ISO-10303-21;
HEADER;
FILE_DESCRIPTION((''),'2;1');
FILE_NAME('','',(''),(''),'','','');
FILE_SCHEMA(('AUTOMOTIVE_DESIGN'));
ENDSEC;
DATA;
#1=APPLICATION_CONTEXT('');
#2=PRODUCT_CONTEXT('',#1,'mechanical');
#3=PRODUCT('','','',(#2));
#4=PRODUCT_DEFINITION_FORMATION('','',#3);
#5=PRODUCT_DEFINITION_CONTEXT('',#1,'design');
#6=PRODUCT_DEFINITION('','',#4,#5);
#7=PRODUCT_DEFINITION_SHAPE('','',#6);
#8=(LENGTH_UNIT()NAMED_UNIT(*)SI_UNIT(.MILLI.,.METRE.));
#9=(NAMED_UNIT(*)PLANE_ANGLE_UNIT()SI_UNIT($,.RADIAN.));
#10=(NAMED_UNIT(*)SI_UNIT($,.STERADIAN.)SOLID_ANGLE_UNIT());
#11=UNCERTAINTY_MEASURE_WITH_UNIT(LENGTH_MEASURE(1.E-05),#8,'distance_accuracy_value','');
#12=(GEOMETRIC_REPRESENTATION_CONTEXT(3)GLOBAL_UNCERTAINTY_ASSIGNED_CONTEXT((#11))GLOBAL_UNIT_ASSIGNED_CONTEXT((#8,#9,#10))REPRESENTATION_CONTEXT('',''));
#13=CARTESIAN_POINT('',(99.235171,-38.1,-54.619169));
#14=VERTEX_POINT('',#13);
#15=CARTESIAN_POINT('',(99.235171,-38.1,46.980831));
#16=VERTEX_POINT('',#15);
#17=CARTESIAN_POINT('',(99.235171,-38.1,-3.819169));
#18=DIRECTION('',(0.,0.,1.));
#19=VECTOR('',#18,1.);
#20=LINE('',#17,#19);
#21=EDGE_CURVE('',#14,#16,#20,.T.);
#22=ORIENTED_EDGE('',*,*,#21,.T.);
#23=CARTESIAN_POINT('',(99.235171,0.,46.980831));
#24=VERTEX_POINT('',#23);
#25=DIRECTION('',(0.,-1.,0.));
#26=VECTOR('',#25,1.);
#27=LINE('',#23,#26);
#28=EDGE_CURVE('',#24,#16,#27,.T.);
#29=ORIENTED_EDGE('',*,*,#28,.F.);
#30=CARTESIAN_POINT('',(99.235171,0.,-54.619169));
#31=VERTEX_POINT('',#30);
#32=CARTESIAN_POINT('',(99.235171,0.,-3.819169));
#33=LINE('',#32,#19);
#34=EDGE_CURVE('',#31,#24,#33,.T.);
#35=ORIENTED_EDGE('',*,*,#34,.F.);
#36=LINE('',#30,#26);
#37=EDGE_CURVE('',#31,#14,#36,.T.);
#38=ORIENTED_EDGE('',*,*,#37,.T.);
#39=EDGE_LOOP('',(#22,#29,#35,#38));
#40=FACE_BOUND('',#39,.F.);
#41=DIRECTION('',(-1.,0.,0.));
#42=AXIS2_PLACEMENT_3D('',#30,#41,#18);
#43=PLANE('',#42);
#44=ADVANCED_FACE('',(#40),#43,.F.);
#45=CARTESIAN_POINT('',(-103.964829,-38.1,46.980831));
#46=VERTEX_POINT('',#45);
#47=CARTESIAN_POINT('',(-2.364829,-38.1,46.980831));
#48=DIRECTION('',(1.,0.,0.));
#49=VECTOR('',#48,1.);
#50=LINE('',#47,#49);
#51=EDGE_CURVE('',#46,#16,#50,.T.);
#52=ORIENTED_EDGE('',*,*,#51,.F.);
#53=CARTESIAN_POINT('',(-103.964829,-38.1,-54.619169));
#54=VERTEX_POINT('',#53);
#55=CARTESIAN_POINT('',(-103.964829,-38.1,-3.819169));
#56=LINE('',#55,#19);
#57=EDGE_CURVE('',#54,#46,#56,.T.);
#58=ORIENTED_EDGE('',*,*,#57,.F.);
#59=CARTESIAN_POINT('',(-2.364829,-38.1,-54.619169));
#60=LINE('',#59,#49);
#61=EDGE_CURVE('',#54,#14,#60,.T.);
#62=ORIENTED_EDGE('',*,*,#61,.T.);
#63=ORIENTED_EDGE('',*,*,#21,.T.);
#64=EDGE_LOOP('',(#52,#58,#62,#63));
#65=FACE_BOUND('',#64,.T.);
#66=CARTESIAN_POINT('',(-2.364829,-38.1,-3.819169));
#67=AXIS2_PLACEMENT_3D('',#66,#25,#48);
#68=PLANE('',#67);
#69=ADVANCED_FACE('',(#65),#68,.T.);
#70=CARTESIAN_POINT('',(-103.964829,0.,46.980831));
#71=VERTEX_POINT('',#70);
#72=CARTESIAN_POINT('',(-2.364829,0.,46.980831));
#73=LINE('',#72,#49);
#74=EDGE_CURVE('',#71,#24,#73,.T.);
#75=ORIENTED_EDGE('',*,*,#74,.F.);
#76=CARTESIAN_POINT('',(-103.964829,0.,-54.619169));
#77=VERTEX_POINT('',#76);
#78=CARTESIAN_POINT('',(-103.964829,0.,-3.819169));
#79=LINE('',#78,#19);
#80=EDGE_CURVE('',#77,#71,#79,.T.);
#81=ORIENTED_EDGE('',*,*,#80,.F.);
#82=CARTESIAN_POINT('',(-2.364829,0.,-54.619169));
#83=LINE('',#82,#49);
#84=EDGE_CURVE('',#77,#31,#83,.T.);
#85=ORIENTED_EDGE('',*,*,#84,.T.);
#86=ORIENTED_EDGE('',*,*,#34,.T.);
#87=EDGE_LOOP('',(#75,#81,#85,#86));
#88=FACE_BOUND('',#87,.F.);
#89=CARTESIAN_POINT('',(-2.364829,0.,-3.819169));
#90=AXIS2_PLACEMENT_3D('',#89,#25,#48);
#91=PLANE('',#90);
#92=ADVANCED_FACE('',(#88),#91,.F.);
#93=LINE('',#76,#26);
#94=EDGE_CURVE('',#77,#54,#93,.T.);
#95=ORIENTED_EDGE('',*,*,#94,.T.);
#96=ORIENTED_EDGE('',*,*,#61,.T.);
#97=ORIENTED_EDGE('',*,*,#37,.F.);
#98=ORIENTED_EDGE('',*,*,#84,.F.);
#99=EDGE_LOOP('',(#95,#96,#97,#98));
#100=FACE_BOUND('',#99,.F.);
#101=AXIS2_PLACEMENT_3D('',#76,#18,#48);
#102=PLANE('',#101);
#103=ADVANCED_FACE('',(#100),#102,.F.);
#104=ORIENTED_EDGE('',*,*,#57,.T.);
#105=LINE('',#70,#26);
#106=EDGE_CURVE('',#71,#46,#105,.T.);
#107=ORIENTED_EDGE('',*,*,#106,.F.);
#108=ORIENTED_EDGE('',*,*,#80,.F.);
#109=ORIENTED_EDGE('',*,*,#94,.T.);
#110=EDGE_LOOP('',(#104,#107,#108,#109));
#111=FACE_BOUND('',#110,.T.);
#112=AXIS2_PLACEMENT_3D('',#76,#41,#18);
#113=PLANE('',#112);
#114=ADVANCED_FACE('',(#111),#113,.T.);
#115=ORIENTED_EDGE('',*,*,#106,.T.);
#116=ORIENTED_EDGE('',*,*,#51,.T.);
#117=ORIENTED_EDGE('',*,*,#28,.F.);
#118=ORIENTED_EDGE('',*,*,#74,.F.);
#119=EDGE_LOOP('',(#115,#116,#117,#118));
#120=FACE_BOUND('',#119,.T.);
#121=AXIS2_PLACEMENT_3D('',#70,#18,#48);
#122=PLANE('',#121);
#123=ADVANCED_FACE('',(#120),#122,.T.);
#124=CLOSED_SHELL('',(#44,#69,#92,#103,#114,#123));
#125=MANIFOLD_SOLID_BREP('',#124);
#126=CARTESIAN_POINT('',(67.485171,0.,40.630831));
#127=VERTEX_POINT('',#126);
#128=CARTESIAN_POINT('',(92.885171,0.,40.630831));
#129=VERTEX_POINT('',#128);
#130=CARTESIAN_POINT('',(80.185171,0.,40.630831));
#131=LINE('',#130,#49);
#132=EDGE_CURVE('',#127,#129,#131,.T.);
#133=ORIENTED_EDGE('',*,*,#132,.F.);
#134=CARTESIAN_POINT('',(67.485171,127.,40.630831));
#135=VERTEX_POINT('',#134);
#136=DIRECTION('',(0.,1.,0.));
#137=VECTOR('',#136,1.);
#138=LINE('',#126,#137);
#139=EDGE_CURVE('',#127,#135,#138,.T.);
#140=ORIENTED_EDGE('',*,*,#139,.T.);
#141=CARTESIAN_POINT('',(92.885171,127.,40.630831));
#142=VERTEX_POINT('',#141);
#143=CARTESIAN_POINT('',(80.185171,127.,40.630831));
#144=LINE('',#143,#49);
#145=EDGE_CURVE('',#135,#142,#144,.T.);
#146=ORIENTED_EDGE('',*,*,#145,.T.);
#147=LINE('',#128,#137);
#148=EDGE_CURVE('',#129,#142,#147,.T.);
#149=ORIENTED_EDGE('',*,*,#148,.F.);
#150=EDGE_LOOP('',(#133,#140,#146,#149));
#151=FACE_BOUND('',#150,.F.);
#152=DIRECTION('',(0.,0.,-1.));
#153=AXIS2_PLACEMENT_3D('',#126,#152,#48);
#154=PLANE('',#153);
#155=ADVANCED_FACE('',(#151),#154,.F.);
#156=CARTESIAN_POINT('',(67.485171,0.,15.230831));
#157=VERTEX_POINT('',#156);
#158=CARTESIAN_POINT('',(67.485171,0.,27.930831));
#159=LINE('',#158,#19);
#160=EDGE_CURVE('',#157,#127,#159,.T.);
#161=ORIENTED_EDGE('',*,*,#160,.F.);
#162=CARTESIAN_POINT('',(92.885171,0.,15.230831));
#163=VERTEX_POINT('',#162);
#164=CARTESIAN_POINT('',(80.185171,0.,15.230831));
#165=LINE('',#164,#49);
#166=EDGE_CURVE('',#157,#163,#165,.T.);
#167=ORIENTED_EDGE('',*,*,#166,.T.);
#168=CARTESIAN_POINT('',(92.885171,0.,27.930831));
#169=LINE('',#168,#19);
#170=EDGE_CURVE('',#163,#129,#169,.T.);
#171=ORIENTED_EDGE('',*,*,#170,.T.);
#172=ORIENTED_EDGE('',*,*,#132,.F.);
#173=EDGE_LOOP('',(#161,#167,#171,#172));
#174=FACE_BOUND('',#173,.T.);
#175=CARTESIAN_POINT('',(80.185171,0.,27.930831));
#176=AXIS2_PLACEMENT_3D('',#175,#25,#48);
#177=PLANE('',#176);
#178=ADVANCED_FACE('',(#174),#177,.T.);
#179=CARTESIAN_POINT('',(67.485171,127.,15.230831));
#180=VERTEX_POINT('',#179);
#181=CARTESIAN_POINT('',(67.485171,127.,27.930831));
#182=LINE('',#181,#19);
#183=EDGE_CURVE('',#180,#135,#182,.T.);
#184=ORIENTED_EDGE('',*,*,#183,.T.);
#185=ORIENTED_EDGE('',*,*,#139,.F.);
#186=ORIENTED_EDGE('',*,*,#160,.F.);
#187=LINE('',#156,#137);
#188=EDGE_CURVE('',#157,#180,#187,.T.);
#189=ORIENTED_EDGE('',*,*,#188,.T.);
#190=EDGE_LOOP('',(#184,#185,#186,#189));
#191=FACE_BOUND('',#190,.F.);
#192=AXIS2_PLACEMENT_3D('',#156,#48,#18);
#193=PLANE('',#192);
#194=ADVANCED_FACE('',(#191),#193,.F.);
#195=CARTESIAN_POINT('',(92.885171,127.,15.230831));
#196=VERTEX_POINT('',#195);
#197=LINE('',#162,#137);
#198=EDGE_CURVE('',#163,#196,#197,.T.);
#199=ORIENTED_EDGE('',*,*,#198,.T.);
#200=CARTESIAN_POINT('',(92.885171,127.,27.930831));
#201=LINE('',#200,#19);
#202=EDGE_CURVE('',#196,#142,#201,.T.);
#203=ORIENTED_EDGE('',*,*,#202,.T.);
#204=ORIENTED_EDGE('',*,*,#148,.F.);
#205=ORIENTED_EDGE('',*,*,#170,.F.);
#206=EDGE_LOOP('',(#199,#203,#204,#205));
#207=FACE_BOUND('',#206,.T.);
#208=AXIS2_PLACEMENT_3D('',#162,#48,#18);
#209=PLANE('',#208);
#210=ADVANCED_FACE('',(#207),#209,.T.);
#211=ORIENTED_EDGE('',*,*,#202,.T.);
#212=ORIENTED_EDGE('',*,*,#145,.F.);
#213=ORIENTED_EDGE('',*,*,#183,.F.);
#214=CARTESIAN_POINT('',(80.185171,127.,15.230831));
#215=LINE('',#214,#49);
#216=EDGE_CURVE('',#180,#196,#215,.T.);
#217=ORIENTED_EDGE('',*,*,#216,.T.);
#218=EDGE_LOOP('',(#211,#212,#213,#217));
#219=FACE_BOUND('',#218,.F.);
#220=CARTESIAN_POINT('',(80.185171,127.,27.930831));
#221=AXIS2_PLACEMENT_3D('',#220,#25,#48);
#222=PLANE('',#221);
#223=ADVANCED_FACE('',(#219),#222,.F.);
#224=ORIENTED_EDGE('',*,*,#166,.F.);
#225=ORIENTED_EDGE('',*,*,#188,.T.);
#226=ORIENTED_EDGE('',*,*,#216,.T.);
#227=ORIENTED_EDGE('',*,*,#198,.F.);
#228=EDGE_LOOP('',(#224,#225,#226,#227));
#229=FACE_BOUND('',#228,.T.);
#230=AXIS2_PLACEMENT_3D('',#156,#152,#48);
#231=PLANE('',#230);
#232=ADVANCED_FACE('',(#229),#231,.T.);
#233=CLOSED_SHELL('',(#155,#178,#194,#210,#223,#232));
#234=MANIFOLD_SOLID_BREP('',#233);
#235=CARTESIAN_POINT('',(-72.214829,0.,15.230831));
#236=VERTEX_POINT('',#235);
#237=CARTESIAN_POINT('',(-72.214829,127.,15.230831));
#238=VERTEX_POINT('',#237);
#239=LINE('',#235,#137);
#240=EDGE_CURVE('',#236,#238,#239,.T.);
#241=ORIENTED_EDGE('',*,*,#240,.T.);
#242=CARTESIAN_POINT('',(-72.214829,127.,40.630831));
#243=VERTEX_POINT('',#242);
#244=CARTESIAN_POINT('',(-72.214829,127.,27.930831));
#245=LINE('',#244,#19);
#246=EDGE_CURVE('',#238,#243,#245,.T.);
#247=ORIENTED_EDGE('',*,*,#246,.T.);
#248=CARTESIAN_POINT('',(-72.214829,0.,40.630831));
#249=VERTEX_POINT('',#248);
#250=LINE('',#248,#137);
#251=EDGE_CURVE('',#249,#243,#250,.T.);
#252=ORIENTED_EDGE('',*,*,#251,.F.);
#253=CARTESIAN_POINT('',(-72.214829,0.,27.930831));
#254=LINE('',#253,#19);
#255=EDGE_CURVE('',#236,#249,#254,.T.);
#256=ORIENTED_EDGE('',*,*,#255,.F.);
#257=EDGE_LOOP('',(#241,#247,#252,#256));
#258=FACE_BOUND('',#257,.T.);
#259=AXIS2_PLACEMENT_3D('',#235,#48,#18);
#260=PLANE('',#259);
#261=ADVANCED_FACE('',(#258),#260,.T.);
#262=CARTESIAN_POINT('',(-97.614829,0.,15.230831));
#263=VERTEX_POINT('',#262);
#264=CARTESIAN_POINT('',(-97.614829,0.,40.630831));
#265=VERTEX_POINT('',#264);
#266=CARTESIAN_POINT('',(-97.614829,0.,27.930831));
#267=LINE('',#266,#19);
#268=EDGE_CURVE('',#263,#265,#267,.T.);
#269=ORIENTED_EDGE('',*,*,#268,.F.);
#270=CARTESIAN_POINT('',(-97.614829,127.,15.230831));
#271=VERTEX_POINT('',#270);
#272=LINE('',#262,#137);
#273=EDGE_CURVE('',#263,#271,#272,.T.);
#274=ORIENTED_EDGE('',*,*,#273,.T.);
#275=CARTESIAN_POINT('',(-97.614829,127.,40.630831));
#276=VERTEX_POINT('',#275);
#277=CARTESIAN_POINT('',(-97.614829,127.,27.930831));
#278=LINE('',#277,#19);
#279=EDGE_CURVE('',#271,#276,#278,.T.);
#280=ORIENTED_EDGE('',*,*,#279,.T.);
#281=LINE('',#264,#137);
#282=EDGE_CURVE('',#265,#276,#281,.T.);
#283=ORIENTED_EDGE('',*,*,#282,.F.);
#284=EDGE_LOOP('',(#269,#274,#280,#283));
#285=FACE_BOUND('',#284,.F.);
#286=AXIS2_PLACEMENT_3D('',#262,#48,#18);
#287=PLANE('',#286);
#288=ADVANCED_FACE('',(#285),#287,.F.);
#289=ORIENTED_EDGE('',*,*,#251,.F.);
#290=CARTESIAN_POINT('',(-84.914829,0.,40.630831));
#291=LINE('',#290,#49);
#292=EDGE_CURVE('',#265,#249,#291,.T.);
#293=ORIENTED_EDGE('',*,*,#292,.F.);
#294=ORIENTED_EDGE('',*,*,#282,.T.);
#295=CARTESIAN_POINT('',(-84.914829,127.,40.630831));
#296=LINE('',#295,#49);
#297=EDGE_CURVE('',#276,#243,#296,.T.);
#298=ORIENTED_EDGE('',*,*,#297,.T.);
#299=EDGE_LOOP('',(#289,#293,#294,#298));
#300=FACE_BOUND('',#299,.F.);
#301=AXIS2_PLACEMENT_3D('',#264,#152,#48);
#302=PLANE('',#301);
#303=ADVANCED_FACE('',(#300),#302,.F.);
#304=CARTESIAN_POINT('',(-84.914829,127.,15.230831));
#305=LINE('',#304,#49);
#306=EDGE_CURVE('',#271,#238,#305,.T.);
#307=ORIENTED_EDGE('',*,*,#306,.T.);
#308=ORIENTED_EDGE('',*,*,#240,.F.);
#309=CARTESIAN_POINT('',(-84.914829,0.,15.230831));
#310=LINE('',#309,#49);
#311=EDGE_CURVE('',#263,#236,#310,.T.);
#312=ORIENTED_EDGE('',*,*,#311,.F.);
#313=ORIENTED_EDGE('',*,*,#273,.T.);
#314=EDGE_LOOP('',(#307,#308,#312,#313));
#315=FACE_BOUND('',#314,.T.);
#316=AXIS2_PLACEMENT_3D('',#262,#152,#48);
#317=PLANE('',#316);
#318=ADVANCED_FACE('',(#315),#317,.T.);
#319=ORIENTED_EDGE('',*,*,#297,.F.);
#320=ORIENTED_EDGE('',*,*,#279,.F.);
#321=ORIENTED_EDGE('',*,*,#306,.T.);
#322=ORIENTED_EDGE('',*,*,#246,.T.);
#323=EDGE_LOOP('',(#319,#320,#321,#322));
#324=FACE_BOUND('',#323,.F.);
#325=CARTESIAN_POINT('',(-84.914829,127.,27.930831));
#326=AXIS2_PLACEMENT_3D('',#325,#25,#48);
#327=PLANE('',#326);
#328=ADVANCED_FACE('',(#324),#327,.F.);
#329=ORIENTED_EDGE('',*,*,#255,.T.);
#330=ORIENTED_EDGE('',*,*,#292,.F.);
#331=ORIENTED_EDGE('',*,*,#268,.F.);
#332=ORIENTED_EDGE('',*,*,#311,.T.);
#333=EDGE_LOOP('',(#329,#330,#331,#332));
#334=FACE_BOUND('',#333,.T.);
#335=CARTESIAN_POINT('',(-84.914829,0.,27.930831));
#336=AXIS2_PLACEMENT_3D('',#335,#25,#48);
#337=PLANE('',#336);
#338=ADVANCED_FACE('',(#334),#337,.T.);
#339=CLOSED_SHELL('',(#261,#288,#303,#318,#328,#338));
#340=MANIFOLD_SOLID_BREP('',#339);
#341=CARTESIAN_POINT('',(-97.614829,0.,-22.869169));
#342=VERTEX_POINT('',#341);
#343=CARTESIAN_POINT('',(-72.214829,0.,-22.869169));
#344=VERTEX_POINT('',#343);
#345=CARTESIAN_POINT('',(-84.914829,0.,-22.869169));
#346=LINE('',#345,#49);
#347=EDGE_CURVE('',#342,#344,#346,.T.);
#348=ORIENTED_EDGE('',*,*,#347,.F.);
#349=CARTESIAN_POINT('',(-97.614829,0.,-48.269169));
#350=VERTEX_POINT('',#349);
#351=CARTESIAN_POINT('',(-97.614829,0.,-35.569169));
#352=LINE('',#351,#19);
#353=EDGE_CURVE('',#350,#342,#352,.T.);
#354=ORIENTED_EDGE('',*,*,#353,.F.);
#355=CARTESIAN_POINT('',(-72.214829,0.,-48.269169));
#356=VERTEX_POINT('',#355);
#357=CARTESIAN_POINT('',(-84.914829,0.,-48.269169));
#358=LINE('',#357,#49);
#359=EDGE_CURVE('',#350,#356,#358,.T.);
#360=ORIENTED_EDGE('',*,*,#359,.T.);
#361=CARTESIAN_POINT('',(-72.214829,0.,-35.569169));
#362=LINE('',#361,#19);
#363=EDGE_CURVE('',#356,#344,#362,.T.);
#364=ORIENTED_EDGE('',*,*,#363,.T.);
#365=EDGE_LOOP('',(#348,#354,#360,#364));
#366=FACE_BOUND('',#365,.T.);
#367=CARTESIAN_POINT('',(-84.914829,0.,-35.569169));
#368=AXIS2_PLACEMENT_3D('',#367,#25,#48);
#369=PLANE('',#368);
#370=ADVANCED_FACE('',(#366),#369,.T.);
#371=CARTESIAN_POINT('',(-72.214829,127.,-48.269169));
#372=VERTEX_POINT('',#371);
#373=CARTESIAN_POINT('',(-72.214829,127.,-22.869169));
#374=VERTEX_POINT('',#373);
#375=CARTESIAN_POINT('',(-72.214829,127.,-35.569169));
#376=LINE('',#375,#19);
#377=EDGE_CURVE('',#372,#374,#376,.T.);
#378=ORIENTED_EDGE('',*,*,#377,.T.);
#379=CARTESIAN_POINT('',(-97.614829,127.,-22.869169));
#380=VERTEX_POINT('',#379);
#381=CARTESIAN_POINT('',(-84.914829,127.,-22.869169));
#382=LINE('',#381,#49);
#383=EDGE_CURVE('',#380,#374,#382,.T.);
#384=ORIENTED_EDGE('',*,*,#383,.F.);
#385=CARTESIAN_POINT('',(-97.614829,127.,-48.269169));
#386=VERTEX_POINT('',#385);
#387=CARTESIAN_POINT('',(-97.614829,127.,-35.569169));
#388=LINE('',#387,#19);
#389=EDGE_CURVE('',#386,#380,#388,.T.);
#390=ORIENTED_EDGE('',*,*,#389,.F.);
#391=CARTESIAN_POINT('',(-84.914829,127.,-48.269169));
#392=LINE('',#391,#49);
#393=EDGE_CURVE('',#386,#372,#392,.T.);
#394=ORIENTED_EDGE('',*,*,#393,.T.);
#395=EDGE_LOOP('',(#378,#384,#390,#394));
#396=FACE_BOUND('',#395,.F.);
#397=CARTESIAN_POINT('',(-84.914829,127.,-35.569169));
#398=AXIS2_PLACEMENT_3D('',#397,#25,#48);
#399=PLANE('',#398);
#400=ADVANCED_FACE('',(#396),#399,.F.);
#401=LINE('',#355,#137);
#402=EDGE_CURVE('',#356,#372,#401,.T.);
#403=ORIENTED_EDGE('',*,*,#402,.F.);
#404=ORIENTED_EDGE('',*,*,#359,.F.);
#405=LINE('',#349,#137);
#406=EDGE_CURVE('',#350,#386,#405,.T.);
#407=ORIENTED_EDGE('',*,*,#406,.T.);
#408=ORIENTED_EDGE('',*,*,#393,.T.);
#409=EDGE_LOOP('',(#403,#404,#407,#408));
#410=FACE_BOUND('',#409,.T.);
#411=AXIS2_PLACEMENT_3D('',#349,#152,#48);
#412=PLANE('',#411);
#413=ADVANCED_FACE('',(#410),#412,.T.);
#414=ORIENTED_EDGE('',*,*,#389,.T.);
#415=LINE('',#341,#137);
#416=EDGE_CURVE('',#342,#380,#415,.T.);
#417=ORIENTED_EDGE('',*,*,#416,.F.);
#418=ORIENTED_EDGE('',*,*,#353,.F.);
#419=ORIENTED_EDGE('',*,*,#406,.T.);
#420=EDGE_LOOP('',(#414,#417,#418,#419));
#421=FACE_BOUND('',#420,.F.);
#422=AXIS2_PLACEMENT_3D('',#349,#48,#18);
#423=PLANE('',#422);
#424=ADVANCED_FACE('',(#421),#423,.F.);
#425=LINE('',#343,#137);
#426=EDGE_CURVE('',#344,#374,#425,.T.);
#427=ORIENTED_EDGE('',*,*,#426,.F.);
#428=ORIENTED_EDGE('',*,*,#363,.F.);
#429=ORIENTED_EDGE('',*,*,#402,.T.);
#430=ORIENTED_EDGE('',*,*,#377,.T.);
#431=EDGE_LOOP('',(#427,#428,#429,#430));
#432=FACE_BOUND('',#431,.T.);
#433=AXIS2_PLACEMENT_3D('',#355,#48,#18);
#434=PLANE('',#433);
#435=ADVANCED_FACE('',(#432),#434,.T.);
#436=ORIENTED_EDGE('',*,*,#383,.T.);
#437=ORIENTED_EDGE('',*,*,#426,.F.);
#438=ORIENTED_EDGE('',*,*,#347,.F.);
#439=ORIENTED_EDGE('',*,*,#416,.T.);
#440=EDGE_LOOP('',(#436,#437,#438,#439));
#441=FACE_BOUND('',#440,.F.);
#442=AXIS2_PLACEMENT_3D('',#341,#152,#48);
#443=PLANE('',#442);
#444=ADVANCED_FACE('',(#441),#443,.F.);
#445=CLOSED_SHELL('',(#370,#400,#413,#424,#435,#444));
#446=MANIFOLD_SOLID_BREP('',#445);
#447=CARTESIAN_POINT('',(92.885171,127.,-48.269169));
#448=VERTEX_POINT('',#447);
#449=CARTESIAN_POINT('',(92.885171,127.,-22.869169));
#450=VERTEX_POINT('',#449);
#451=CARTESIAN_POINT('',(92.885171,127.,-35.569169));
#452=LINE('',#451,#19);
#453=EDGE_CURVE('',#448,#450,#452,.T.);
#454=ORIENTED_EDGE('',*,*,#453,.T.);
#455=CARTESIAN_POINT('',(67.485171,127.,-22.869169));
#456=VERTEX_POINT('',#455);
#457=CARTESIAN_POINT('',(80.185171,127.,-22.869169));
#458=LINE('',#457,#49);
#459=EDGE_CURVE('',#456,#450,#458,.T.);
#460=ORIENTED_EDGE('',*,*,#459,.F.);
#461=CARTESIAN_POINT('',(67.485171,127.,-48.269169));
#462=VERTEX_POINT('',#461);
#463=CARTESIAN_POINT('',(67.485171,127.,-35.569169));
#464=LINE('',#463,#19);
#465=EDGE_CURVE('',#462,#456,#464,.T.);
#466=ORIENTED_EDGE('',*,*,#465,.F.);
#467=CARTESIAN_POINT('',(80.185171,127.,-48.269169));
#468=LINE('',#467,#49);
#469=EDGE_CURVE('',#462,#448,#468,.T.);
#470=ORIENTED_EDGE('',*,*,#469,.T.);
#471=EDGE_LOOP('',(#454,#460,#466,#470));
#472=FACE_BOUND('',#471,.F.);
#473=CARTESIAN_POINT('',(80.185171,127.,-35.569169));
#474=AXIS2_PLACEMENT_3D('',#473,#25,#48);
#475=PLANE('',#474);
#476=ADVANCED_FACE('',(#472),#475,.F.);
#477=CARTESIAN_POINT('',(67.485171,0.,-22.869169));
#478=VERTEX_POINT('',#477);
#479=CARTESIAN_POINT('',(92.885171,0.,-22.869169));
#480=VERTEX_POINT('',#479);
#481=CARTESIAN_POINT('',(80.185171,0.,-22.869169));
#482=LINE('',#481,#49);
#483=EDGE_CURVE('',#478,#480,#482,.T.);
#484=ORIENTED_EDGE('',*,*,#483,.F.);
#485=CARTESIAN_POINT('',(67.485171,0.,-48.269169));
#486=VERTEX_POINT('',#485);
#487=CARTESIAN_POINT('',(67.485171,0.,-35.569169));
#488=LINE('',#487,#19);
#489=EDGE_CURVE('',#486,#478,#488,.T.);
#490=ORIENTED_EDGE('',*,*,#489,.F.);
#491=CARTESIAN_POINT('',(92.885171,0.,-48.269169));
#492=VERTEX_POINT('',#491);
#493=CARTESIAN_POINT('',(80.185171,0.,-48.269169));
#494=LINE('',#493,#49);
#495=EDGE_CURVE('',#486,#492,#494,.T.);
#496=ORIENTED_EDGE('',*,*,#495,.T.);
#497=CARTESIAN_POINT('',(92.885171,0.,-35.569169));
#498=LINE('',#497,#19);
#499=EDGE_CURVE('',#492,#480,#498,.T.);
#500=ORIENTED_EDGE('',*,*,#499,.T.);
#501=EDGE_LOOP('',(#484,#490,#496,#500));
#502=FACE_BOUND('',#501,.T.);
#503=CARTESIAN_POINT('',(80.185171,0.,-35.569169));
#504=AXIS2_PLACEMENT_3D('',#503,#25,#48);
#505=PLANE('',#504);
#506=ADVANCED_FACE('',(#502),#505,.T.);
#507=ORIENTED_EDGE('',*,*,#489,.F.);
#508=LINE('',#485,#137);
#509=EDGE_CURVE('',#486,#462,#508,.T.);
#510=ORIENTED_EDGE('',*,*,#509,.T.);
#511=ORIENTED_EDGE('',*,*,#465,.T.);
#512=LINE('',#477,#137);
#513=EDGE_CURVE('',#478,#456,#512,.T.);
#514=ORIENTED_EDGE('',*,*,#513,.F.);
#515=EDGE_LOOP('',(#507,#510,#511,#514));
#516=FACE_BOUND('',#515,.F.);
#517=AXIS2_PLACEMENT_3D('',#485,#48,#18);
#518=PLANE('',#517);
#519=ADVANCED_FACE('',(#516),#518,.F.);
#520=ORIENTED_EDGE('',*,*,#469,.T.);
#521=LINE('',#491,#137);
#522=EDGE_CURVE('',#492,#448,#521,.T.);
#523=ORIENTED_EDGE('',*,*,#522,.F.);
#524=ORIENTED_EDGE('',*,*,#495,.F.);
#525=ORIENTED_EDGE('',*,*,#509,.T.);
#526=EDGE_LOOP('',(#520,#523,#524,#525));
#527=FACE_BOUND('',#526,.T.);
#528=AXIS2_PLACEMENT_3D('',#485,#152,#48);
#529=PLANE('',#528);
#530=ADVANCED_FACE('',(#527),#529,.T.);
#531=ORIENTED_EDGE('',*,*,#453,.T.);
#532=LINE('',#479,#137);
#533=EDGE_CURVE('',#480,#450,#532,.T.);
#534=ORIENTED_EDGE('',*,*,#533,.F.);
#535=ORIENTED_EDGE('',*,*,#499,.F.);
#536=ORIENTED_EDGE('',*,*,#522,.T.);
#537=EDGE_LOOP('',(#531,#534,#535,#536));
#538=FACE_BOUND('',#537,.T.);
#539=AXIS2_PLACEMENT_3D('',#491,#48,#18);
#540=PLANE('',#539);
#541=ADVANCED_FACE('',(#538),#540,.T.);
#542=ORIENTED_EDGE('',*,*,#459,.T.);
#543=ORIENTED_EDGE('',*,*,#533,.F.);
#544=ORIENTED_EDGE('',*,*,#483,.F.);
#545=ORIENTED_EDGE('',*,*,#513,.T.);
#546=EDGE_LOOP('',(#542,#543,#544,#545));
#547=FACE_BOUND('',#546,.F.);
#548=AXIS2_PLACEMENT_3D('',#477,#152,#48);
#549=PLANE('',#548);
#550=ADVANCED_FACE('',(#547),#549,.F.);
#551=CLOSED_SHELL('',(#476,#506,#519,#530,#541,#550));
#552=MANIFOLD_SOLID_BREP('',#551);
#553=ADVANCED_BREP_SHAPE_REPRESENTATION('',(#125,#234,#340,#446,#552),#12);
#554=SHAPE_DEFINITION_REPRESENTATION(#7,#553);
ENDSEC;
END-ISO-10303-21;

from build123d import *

# Parameters (mm, degrees)
F0_W     = 203.2
F0_H     = 101.6
F0_W_2   = 25.4
F0_H_2   = 25.4
F1_DEPTH = 38.1
F2_DEPTH = 127


with BuildPart() as f1:
    # F0 (on Front) → F1 (new body)
    with BuildSketch(Plane.XZ):
        with Locations((-2.364829, -3.819169)):
            Rectangle(F0_W, F0_H)
        with Locations((-84.914829, -35.569169)):
            Rectangle(F0_W_2, F0_H_2, mode=Mode.SUBTRACT)
        with Locations((80.185171, -35.569169)):
            Rectangle(F0_W_2, F0_H_2, mode=Mode.SUBTRACT)
        with Locations((-84.914829, 27.930831)):
            Rectangle(F0_W_2, F0_H_2, mode=Mode.SUBTRACT)
        with Locations((80.185171, 27.930831)):
            Rectangle(F0_W_2, F0_H_2, mode=Mode.SUBTRACT)
        with Locations((-84.914829, -35.569169)):
            Rectangle(F0_W_2, F0_H_2)
        with Locations((-84.914829, 27.930831)):
            Rectangle(F0_W_2, F0_H_2)
        with Locations((80.185171, 27.930831)):
            Rectangle(F0_W_2, F0_H_2)
        with Locations((80.185171, -35.569169)):
            Rectangle(F0_W_2, F0_H_2)
    extrude(amount=F1_DEPTH)


with BuildPart() as f2:
    # F0 (on Front) → F2 (new body)
    with BuildSketch(Plane.XZ):
        with Locations((-84.914829, -35.569169)):
            Rectangle(F0_W_2, F0_H_2)
        with Locations((-84.914829, 27.930831)):
            Rectangle(F0_W_2, F0_H_2)
        with Locations((80.185171, 27.930831)):
            Rectangle(F0_W_2, F0_H_2)
        with Locations((80.185171, -35.569169)):
            Rectangle(F0_W_2, F0_H_2)
    extrude(amount=-F2_DEPTH)


solid = Compound([f1.part, f2.part])
